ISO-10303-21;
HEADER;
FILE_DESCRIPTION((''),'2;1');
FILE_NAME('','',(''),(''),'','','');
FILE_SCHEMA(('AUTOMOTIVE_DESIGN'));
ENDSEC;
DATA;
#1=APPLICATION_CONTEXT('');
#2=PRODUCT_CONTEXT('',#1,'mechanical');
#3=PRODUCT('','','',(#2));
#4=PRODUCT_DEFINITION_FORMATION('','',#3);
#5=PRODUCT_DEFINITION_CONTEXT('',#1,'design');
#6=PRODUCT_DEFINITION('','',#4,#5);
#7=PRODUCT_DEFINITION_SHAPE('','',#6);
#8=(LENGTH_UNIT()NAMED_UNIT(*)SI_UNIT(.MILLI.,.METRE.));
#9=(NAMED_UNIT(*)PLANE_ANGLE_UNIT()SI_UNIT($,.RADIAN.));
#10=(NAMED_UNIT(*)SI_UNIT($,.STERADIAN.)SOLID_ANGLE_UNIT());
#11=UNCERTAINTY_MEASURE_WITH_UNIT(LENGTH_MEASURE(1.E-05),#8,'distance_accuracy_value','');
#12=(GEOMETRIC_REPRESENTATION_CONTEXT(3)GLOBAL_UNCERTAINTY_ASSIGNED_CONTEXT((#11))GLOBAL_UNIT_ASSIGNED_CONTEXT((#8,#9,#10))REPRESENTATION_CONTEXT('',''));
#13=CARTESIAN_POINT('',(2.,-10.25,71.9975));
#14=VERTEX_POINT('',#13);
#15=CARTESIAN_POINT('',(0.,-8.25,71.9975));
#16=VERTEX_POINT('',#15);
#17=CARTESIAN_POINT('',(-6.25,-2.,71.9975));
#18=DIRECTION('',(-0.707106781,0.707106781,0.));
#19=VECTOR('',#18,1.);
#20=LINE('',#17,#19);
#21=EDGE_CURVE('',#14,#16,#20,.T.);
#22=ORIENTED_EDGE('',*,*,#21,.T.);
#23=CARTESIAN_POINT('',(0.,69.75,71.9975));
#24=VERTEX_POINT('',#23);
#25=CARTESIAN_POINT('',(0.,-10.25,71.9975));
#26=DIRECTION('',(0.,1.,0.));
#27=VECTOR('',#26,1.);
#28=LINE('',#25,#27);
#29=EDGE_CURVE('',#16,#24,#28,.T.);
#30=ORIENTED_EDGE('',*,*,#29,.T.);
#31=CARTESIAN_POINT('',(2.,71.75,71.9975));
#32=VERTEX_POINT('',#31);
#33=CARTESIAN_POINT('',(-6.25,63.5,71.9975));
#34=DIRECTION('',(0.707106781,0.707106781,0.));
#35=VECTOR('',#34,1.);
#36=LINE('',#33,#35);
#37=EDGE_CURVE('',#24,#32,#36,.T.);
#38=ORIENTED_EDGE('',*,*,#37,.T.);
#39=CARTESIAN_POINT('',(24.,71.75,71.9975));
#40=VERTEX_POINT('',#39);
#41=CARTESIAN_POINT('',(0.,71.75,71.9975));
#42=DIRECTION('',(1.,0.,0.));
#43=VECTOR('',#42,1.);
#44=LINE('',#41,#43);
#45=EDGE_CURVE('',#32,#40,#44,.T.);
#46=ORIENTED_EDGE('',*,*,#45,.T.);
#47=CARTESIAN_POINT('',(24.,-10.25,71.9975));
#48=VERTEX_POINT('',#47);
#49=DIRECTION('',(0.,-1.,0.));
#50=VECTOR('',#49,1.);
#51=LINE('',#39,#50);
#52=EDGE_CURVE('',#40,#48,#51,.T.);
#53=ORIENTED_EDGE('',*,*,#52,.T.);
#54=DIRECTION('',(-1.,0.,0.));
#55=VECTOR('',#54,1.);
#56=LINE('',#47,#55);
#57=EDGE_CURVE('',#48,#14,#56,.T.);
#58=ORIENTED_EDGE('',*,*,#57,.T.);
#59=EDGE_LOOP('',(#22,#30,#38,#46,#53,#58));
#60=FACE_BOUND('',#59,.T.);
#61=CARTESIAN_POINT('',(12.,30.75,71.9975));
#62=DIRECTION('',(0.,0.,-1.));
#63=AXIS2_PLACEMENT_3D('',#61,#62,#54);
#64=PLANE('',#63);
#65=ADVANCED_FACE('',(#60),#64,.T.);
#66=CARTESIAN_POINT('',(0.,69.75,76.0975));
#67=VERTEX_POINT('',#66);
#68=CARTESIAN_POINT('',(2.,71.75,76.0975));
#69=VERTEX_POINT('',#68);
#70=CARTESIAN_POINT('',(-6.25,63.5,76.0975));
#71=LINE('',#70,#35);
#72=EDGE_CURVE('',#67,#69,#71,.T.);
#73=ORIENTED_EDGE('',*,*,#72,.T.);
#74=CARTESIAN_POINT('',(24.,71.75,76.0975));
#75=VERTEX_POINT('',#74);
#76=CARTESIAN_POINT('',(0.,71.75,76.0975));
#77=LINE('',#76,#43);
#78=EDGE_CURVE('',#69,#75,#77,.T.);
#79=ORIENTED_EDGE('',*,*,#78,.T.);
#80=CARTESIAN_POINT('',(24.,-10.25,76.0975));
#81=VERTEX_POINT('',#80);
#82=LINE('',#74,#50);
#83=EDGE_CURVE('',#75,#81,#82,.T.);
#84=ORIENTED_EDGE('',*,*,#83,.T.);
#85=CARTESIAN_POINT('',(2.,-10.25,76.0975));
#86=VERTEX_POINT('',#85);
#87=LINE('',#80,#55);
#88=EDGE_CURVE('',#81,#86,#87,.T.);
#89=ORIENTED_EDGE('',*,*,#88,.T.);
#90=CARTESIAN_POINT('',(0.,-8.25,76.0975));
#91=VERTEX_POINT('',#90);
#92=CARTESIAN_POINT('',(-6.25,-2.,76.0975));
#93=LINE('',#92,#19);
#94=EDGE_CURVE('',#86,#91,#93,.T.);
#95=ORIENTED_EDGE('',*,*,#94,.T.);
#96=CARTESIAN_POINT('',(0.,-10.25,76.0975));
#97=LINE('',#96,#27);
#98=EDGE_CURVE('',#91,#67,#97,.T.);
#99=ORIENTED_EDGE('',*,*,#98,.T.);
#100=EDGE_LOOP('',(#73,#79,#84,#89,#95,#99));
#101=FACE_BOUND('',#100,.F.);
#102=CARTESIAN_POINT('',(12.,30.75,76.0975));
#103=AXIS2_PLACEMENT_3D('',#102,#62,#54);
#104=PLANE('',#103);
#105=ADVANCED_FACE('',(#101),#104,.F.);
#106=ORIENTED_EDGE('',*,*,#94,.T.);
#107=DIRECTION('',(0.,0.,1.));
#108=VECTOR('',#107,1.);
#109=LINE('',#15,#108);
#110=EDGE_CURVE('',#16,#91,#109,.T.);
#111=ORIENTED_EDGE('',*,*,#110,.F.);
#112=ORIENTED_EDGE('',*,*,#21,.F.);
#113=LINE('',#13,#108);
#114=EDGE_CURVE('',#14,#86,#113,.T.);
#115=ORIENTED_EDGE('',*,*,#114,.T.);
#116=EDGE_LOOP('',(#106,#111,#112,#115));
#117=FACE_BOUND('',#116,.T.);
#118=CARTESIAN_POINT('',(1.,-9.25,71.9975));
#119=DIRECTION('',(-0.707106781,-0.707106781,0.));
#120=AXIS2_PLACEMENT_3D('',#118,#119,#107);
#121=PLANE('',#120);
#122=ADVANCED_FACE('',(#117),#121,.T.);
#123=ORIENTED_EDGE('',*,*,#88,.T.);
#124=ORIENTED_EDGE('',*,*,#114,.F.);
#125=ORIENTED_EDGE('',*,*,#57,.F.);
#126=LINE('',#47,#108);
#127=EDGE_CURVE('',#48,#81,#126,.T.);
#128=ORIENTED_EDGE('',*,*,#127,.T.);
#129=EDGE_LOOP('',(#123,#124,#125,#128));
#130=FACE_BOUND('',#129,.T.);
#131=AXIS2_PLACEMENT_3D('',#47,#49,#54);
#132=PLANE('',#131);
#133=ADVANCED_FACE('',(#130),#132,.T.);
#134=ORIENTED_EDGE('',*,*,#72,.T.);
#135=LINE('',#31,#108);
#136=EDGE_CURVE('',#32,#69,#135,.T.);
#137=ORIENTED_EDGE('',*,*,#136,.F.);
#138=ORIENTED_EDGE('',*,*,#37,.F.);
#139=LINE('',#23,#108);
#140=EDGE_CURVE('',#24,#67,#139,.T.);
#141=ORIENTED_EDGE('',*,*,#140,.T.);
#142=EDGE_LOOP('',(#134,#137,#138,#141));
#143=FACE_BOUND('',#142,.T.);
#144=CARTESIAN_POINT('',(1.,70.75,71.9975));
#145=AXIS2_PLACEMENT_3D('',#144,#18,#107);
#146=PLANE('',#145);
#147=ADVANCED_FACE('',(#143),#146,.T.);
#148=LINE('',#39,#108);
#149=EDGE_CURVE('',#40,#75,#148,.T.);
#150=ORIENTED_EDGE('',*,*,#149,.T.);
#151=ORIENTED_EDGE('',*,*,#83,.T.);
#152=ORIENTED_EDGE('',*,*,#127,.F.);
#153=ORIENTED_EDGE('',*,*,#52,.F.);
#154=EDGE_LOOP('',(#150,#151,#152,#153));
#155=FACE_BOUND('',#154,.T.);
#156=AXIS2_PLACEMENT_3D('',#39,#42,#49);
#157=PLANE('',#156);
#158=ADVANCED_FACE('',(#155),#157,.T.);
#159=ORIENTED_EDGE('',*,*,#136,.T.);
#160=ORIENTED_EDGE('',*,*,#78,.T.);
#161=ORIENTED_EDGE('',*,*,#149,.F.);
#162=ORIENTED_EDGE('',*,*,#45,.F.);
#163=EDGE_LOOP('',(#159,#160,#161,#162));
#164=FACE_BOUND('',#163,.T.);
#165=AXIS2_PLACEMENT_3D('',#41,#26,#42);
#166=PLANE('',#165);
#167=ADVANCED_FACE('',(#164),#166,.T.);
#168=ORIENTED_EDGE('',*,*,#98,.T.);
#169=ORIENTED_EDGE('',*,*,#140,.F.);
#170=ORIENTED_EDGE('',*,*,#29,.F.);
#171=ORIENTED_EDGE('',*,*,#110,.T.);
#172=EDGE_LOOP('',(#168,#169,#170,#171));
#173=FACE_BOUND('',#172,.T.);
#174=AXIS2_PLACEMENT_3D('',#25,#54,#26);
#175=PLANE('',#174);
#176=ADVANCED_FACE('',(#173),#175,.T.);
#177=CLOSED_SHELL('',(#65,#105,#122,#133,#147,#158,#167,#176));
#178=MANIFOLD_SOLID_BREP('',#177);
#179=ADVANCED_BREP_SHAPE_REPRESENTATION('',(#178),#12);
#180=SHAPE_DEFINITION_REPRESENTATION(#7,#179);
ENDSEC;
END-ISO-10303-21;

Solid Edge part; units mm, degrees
sketch "Sketch1" plane through (0, 0, 71.9975) normal (0, 0, 1) x (1, 0, 0)
  line L0 (24, 71.75) -> (24, -10.25)
  line L1 (24, -10.25) -> (0, -10.25)
  line L2 (0, -10.25) -> (0, 71.75)
  line L3 (0, 71.75) -> (24, 71.75)
extrude "ExtrudedProtrusion_1" add sketch "Sketch1" along normal blind 4.1
chamfer "Chamfer1" distance 2 angle 45 2 edges at (0, -10.25, 74.0475) (0, 71.75, 74.0475)
